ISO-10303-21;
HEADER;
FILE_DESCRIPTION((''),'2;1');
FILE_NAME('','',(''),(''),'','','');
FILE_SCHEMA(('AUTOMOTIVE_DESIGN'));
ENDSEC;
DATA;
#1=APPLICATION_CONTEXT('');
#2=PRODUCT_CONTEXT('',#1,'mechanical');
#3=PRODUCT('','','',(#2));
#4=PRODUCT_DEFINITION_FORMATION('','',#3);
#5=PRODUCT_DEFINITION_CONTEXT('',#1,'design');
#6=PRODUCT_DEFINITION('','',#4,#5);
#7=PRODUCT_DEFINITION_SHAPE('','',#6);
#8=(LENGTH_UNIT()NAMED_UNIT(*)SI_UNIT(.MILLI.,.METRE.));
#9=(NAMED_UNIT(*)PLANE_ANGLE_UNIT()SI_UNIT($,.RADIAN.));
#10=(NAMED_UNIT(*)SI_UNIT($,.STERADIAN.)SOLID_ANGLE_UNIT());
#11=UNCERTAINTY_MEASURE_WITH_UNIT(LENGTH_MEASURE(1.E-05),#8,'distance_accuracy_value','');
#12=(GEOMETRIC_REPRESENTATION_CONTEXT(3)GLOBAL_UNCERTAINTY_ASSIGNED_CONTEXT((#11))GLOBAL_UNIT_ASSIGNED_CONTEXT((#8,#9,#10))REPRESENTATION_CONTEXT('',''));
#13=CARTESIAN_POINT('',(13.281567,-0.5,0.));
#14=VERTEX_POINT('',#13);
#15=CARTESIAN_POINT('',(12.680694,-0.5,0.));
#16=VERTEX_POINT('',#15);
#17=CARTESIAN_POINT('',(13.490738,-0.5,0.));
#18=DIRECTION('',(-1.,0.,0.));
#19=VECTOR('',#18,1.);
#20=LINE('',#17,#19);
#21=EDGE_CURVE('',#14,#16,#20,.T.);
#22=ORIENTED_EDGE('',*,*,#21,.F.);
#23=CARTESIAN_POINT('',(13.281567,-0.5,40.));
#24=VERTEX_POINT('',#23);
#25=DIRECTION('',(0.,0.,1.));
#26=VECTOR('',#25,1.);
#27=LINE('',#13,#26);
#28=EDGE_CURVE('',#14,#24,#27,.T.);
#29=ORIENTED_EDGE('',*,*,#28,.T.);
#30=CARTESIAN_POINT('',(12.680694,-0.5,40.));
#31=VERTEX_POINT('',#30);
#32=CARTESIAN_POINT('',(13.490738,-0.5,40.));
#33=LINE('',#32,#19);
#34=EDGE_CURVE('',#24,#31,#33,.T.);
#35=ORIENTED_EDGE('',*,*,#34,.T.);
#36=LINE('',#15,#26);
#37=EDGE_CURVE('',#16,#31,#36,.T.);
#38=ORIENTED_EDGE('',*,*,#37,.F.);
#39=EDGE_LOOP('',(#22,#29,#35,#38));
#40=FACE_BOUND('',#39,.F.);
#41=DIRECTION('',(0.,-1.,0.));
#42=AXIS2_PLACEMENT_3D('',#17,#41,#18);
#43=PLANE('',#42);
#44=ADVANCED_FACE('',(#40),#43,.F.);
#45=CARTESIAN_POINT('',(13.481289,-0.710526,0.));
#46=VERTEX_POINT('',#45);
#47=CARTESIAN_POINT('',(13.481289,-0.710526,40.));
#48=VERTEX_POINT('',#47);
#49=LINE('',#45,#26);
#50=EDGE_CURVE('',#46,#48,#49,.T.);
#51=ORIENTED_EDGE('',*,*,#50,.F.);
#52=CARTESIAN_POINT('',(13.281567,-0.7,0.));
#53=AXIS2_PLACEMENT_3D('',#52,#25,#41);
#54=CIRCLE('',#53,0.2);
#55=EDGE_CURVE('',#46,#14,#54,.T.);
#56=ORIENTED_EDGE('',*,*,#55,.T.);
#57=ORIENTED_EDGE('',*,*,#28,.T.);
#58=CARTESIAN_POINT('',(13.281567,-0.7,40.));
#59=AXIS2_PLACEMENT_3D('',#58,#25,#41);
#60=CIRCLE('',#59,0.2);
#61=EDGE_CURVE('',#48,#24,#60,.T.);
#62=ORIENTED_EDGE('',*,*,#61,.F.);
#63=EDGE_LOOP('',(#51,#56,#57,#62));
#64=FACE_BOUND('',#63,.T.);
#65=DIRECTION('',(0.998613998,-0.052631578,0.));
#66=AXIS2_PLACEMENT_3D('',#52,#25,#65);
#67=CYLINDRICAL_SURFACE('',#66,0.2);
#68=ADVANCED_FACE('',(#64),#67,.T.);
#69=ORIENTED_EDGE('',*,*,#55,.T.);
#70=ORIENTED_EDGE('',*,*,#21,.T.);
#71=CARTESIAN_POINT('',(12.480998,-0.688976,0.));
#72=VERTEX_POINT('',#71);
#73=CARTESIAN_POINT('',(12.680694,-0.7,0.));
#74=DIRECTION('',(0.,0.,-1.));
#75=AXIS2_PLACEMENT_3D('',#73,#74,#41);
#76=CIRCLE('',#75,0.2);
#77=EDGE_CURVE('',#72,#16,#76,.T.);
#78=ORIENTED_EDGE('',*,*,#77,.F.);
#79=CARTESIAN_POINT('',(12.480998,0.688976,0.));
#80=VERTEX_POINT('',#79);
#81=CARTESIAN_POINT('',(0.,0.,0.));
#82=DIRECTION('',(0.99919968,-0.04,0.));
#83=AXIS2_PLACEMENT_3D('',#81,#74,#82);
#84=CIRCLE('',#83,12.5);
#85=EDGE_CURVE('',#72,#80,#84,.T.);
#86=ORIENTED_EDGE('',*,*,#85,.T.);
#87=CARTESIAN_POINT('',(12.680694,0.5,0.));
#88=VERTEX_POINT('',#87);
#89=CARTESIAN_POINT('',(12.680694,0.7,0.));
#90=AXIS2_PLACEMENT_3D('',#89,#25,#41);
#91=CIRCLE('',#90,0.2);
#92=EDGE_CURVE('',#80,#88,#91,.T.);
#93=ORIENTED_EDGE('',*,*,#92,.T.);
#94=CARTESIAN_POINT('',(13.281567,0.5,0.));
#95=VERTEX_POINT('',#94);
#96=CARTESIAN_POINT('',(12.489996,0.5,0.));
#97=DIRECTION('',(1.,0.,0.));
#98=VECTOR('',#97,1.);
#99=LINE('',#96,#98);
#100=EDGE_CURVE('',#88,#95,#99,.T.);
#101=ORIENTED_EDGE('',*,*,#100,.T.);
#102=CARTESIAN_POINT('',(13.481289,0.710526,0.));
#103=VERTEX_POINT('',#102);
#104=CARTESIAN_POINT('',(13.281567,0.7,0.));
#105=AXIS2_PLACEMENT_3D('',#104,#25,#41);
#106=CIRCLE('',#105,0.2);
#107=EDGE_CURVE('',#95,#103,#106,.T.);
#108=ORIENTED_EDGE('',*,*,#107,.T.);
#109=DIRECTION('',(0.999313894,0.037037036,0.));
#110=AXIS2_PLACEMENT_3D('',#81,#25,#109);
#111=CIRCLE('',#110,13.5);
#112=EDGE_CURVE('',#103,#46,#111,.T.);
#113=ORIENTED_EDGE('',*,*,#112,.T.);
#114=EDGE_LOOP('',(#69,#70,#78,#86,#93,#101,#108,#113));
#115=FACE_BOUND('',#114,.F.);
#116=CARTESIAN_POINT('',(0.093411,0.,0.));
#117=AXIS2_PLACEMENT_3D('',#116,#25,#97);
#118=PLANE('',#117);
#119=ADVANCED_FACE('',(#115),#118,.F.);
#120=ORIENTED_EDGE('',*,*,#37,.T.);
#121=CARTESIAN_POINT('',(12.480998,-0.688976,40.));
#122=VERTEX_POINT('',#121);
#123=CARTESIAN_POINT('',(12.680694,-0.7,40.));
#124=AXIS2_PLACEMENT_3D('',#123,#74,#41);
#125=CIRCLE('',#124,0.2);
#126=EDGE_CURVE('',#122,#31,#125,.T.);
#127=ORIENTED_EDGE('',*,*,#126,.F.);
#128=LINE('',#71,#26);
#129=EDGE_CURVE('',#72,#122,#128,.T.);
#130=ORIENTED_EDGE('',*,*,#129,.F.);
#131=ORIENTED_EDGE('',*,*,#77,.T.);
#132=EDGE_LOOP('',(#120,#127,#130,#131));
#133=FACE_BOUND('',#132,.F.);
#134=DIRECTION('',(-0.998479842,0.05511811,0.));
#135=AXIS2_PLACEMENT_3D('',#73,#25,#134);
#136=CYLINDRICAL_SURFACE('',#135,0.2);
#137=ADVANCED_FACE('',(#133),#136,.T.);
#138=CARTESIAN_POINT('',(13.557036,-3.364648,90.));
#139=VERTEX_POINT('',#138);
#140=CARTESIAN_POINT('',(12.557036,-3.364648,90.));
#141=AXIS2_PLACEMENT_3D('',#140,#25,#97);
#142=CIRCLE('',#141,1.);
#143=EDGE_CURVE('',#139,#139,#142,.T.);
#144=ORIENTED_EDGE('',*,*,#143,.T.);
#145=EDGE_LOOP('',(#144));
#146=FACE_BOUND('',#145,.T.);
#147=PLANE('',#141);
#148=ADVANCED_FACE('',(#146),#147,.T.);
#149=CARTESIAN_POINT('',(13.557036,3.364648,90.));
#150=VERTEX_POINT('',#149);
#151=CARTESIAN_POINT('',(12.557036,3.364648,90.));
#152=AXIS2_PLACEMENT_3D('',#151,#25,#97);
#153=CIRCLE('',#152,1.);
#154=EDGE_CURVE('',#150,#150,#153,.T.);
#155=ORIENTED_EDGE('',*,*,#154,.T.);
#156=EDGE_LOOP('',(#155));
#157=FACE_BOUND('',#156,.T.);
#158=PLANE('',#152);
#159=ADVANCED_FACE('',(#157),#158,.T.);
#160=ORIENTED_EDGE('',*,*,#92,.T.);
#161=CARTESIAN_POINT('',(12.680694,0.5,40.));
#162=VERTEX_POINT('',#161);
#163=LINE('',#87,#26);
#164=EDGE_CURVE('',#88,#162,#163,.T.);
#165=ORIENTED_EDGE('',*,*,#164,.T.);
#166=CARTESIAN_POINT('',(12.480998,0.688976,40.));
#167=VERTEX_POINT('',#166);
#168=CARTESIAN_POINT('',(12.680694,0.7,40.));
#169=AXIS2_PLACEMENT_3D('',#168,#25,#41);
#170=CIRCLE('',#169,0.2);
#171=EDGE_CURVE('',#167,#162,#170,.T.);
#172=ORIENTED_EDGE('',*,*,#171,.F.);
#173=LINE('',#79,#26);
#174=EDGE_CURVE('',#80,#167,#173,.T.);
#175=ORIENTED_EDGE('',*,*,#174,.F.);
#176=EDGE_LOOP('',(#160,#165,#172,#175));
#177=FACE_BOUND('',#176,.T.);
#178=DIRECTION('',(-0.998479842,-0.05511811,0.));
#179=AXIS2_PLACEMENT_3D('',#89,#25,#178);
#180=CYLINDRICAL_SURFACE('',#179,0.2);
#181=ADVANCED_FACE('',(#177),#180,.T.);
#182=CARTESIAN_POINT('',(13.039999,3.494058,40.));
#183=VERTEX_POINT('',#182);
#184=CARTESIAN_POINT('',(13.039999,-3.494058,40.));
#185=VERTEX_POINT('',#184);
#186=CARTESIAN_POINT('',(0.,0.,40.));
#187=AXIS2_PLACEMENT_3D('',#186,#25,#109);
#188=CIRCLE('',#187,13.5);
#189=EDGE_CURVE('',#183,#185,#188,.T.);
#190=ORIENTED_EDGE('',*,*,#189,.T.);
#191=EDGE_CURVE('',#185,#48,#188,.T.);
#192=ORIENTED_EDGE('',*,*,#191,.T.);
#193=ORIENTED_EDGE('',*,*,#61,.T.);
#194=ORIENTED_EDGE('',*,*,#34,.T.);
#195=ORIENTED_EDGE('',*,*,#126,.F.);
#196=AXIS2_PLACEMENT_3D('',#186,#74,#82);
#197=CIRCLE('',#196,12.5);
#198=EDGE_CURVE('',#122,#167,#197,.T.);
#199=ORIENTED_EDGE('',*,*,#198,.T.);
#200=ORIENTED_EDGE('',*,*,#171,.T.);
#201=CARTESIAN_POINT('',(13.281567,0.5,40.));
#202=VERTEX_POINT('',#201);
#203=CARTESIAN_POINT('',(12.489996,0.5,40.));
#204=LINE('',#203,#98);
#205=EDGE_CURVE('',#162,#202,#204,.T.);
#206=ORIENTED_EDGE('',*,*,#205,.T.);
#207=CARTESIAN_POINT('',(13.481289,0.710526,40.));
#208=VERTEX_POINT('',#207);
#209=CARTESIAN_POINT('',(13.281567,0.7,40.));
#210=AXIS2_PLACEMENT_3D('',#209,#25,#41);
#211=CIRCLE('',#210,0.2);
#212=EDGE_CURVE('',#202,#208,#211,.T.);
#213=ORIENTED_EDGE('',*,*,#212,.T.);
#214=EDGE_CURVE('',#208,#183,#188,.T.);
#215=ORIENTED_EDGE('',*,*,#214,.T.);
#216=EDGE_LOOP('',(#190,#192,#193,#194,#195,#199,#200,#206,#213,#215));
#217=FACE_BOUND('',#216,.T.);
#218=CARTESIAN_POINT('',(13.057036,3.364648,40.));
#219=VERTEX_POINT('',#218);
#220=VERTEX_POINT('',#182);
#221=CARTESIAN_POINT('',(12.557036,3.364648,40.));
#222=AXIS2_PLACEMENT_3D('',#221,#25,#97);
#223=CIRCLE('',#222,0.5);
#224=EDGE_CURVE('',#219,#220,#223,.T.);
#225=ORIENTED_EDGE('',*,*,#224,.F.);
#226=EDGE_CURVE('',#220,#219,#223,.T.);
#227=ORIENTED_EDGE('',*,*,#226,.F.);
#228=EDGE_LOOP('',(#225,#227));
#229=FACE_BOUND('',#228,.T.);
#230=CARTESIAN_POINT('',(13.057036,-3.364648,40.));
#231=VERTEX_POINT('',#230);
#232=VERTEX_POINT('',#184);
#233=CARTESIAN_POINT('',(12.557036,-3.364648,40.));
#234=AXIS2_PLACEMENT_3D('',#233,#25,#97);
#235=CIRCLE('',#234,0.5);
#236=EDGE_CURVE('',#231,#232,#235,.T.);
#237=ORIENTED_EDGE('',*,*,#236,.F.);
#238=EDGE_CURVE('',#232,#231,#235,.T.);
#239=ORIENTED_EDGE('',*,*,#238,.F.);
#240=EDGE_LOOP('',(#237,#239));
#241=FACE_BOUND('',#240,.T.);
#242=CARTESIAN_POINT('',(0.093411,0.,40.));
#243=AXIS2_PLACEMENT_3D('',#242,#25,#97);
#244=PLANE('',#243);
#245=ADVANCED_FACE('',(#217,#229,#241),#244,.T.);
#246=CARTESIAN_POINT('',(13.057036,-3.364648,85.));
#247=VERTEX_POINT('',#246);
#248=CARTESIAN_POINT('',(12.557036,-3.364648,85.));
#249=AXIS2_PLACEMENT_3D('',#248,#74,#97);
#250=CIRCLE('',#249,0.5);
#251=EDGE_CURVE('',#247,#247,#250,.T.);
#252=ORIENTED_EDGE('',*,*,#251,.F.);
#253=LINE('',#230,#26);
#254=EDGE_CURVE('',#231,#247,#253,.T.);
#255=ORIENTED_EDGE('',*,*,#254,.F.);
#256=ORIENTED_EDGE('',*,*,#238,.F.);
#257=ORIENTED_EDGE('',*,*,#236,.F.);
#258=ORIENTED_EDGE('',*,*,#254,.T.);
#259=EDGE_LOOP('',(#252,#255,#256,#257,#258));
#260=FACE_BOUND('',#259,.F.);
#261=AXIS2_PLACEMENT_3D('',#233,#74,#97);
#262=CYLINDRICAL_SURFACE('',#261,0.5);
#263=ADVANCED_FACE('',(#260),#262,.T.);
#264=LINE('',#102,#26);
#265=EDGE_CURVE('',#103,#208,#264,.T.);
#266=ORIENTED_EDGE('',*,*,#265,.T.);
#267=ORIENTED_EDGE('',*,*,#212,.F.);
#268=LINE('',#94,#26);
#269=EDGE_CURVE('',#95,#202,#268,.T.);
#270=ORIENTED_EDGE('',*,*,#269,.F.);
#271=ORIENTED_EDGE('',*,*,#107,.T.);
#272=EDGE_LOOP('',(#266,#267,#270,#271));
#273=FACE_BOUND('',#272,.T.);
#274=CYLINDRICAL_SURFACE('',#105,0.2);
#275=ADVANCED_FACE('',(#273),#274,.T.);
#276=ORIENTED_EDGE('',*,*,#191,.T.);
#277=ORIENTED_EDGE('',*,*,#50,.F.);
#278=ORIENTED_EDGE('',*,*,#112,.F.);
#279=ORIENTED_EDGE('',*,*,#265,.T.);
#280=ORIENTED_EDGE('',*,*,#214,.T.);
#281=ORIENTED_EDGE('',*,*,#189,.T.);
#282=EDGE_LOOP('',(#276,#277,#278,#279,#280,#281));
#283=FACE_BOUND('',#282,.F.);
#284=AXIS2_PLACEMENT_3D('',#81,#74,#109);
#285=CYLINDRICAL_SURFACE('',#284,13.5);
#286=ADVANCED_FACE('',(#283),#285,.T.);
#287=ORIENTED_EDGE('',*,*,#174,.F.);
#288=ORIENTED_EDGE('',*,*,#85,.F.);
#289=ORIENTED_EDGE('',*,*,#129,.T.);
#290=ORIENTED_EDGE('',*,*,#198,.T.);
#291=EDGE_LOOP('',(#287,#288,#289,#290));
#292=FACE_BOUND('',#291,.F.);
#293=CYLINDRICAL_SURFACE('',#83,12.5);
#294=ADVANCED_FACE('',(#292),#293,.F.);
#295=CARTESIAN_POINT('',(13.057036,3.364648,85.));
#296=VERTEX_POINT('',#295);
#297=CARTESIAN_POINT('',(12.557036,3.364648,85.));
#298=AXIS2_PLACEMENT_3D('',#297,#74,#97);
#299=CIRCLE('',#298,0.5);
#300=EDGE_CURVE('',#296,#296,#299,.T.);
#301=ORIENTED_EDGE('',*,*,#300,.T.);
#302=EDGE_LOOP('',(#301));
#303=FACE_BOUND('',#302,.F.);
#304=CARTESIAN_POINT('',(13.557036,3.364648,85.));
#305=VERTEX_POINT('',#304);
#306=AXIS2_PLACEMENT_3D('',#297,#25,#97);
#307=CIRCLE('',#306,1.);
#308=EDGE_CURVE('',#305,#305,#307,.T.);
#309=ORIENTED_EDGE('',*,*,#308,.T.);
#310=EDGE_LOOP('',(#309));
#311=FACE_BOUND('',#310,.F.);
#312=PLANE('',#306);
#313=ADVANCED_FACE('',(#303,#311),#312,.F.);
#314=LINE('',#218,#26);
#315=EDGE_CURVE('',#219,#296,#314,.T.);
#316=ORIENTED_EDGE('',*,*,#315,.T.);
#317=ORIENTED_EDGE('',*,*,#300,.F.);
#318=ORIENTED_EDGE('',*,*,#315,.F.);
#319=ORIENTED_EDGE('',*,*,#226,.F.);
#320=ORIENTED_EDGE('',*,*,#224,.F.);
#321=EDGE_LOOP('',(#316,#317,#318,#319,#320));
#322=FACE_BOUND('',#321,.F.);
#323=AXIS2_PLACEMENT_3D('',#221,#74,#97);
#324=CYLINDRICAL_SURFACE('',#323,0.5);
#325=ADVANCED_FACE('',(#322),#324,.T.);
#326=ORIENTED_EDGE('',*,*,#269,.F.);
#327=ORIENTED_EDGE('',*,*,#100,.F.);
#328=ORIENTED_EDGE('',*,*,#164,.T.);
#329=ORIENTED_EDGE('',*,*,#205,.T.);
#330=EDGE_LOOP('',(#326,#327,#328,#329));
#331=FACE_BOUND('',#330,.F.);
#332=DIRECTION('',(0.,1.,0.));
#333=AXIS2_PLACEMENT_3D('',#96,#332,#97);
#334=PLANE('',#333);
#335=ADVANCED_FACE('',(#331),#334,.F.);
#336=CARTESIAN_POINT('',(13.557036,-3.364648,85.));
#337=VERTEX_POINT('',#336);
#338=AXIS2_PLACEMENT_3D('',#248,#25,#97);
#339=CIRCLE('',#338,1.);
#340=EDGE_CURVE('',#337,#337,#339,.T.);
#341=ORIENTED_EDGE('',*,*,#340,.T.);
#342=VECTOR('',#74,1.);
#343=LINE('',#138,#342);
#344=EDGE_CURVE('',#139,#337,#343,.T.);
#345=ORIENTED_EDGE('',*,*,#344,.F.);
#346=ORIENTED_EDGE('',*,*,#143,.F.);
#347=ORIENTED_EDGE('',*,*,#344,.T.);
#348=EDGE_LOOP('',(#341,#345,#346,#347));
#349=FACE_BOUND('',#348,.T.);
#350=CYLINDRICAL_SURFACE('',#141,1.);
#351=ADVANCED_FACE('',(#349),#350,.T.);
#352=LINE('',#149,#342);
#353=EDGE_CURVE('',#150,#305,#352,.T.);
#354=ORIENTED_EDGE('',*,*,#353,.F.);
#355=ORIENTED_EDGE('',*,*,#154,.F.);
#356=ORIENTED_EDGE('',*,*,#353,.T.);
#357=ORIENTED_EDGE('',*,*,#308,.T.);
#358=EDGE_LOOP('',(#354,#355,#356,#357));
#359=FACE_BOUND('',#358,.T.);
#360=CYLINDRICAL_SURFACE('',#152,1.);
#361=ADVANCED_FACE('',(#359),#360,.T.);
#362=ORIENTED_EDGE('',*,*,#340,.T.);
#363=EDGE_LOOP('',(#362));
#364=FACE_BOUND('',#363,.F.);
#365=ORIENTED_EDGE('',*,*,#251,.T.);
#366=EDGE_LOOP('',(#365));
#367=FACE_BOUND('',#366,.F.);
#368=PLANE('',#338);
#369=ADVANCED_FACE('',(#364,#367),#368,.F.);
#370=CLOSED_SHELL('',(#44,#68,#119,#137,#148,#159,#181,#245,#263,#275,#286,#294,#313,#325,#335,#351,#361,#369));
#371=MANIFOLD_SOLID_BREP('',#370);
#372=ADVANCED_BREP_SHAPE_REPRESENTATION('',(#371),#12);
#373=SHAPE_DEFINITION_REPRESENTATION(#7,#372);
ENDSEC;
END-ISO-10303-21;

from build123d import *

# Parameters (mm, degrees)
F1_DEPTH = 40
F2_R     = 0.2
F3_R     = 0.5
F4_DEPTH = 50
F5_R     = 1
F6_DEPTH = 5
F7_R     = 1
F8_DEPTH = 5


with BuildPart() as f1:
    # F0 (on Top) → F1 (new body)
    with BuildSketch(Plane.XY):
        with BuildLine():
            ThreePointArc((12.489996, -0.5), (-12.5, 0), (12.489996, 0.5))
            Line((12.489996, 0.5), (13.490738, 0.5))
            ThreePointArc((13.490738, 0.5), (-13.5, 0), (13.490738, -0.5))
            Line((13.490738, -0.5), (12.489996, -0.5))
        make_face()
    extrude(amount=F1_DEPTH)

    # F2
    f2_edges = [f1.edges().sort_by_distance(p)[0] for p in [
        (13.490738, 0.5, 20),
        (12.489996, 0.5, 20),
        (12.489996, -0.5, 20),
        (13.490738, -0.5, 20),
    ]]
    fillet(f2_edges, radius=F2_R)

    # F3 (on face) → F4 (join)
    with BuildSketch(Plane.XY.offset(40)):
        with Locations((12.557036, 3.364648)):
            Circle(F3_R)
        with Locations((12.557036, -3.364648)):
            Circle(F3_R)
    extrude(amount=F4_DEPTH)

    # F5 (on face) → F6 (join)
    with BuildSketch(Plane.XY.offset(90)):
        with Locations((12.557036, -3.364648)):
            Circle(F5_R)
    extrude(amount=-F6_DEPTH)

    # F7 (on face) → F8 (join)
    with BuildSketch(Plane.XY.offset(90)):
        with Locations((12.557036, 3.364648)):
            Circle(F7_R)
    extrude(amount=-F8_DEPTH)


solid = f1.part
